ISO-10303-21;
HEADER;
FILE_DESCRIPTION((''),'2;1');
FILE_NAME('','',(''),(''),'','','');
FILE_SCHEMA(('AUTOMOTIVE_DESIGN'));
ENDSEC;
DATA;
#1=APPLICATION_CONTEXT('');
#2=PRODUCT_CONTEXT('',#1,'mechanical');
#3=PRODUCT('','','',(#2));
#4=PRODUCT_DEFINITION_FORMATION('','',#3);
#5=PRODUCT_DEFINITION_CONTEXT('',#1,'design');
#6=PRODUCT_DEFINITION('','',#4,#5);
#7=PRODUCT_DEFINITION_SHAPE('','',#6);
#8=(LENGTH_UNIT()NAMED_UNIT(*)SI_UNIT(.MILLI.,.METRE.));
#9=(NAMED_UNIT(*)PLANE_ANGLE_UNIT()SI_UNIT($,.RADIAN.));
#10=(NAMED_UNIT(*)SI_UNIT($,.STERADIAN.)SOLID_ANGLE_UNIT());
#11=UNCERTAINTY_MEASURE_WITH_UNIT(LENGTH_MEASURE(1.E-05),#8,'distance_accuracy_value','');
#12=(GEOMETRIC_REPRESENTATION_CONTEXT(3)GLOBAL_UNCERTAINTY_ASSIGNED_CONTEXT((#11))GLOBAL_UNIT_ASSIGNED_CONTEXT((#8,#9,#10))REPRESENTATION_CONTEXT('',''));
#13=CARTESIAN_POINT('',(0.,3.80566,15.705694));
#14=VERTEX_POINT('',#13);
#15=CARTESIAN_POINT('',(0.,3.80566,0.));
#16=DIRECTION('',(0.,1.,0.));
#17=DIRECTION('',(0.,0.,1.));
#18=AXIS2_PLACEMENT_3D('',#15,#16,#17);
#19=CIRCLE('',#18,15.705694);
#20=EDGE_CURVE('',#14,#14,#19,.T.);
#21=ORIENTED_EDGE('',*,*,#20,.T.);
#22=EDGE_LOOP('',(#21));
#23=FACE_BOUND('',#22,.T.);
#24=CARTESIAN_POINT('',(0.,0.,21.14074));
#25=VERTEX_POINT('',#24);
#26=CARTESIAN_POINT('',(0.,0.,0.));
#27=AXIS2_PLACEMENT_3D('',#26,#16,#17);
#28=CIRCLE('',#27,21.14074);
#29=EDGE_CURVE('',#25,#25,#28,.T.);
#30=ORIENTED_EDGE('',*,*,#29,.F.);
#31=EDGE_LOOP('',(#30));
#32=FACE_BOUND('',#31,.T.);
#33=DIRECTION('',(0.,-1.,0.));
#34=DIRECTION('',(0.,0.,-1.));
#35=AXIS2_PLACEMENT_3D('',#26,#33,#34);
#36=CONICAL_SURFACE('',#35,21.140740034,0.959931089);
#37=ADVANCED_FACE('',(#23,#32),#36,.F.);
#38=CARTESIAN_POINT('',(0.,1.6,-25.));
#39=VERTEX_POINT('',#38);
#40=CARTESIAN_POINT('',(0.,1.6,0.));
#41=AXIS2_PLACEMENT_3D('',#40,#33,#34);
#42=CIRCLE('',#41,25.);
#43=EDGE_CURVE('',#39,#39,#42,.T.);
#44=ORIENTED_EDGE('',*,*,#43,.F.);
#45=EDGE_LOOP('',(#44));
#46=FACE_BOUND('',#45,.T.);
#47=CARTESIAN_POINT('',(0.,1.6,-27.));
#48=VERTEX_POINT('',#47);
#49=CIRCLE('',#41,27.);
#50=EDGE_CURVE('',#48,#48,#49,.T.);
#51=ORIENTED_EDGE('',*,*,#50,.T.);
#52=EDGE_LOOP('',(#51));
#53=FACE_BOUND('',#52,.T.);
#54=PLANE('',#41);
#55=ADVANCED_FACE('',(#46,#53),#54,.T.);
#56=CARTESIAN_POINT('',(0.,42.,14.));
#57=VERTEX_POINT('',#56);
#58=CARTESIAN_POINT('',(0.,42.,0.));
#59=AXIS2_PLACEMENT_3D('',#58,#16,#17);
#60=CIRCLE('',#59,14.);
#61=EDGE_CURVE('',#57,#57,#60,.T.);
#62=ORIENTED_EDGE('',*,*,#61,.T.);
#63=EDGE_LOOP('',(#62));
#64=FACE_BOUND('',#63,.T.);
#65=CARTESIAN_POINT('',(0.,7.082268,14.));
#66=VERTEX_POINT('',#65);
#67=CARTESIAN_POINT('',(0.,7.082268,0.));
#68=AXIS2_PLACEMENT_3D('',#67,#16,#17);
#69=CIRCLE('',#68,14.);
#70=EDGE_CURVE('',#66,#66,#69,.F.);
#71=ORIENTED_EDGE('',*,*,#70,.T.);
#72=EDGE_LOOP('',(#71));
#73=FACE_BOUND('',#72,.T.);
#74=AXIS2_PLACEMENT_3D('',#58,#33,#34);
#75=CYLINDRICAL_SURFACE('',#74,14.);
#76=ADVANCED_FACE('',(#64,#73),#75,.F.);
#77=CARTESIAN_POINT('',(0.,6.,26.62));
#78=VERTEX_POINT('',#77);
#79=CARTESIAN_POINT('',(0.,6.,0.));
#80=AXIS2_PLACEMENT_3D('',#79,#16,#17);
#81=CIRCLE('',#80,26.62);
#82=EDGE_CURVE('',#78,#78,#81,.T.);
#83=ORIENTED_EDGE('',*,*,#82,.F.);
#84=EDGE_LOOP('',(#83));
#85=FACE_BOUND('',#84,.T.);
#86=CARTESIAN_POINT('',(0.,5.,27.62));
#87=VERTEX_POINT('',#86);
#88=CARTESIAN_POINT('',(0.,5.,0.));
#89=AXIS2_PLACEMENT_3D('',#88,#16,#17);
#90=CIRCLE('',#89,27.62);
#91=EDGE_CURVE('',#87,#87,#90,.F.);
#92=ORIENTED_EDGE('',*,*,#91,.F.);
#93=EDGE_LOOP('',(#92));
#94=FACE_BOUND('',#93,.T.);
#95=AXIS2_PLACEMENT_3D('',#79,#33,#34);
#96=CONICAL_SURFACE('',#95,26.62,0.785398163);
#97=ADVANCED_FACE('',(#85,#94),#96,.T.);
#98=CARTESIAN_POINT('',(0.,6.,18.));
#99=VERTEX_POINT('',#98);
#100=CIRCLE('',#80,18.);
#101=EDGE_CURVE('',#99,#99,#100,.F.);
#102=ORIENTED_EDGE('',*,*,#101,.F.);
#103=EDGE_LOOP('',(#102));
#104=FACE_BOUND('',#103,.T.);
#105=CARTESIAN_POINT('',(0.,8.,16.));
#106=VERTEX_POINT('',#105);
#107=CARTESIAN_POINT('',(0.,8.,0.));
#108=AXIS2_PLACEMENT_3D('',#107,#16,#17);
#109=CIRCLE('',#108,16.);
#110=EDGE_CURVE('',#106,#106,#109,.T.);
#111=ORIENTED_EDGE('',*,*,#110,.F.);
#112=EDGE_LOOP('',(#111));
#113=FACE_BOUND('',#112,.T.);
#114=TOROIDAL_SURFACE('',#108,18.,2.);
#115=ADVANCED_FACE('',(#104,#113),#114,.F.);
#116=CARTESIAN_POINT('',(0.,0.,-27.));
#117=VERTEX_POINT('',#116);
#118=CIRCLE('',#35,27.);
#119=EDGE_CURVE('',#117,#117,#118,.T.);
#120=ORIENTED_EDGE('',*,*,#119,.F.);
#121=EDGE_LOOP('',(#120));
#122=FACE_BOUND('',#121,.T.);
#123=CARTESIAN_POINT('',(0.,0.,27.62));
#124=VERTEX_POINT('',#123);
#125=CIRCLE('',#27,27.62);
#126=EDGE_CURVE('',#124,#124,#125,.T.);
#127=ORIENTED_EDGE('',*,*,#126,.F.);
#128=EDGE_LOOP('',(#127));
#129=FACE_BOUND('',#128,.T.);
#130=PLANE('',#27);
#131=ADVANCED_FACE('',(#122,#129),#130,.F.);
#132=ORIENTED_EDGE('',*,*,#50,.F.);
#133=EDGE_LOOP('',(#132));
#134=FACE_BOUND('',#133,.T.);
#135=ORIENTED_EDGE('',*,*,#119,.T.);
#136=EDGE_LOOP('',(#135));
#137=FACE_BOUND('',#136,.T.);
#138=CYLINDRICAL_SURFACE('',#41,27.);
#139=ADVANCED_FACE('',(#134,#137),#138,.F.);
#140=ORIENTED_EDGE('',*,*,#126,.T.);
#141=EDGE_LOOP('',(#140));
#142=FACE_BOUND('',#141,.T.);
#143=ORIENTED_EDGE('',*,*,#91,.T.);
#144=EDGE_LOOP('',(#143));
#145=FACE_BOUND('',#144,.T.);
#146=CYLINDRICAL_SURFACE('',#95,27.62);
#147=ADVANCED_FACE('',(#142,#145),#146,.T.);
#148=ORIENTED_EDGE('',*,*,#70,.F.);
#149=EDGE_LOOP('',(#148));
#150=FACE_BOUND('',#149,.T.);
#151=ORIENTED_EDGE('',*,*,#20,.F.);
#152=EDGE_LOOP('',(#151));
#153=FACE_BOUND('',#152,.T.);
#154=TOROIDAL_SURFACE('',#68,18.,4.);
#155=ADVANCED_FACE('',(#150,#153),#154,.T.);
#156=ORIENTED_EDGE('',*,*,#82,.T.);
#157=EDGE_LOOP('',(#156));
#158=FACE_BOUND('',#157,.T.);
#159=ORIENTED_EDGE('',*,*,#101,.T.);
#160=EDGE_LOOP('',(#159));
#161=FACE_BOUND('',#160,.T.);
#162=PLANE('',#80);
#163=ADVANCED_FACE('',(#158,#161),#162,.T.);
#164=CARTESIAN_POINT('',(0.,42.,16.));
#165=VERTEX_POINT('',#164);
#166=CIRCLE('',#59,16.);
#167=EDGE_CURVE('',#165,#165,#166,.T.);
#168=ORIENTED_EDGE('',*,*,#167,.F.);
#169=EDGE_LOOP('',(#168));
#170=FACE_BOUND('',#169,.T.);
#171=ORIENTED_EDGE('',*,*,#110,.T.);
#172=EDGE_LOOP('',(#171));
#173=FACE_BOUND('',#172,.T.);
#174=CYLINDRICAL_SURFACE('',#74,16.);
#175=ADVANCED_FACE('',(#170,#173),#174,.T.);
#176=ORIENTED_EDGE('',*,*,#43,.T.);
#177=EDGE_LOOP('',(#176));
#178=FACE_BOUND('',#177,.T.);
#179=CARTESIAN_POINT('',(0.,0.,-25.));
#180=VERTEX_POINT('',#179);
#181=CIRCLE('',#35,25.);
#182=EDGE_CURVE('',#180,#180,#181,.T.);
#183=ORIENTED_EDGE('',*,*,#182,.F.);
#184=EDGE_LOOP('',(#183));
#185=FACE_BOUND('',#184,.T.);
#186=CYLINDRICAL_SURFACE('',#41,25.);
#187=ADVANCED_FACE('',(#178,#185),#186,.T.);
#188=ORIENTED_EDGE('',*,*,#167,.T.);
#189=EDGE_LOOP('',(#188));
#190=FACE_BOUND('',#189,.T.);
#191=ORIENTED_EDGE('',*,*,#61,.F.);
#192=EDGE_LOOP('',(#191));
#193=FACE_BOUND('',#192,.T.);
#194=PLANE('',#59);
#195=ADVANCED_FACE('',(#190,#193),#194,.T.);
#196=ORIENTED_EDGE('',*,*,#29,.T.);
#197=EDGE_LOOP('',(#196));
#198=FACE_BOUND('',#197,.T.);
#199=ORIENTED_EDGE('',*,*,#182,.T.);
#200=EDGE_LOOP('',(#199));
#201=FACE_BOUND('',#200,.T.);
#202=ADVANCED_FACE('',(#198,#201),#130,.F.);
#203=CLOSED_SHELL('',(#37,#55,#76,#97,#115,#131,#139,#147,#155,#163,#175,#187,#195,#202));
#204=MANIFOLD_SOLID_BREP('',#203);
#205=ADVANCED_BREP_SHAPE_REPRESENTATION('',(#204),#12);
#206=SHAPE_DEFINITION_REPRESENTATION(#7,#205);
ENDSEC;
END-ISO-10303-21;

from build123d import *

# Parameters (mm, degrees)
SKETCH1_R           = 27.62
BOSS_EXTRUDE1_DEPTH = 6
SKETCH2_R           = 16
SKETCH2_R_2         = 14
BOSS_EXTRUDE2_DEPTH = 36
CUT_EXTRUDE1_START  = -36
SKETCH3_R           = 14
CUT_EXTRUDE1_DEPTH  = 36
CHAMFER1_SIZE       = 5
CHAMFER1_SIZE2      = 7.140740034
CHAMFER2_SIZE       = 1
SKETCH4_R           = 27
SKETCH4_R_2         = 25
CUT_EXTRUDE2_DEPTH  = 1.6
FILLET1_R           = 2
FILLET2_R           = 4


with BuildPart() as part:
    # Sketch1 → Boss-Extrude1 (new body)
    with BuildSketch(Plane(origin=(0, 0, 0), x_dir=(1, 0, 0), z_dir=(0, 1, 0))):
        with Locations(Location((0, 0, 0), (0, 0, 270))):
            Circle(SKETCH1_R)
    extrude(amount=BOSS_EXTRUDE1_DEPTH)

    # Sketch2 → Boss-Extrude2 (add)
    with BuildSketch(Plane(origin=(0, 6, 0), x_dir=(1, 0, 0), z_dir=(0, 1, 0))):
        with Locations(Location((0, 0, 0), (0, 0, 270))):
            Circle(SKETCH2_R)
        with Locations(Location((0, 0, 0), (0, 0, 270))):
            Circle(SKETCH2_R_2, mode=Mode.SUBTRACT)
    extrude(amount=BOSS_EXTRUDE2_DEPTH)

    # Sketch3 → Cut-Extrude1 (cut)
    with BuildSketch(Plane(origin=(0, 6, 0), x_dir=(1, 0, 0), z_dir=(0, 1, 0)).offset(CUT_EXTRUDE1_START)):
        with Locations(Location((0, 0, 0), (0, 0, 270))):
            Circle(SKETCH3_R)
    extrude(amount=CUT_EXTRUDE1_DEPTH, mode=Mode.SUBTRACT)

    # Chamfer1
    chamfer1_edges = [part.edges().sort_by_distance(p)[0] for p in [
        (0, 0, -14),
    ]]
    chamfer1_side = [part.faces().sort_by_distance(p)[0] for p in [
        (0, 21, -14),
    ]]
    chamfer(chamfer1_edges, length=CHAMFER1_SIZE, length2=CHAMFER1_SIZE2, reference=chamfer1_side[0])

    # Chamfer2
    chamfer2_edges = [part.edges().sort_by_distance(p)[0] for p in [
        (0, 6, -27.62),
    ]]
    chamfer(chamfer2_edges, length=CHAMFER2_SIZE)

    # Sketch4 → Cut-Extrude2 (cut)
    with BuildSketch(Plane.XZ):
        with Locations(Location((0, 0, 0), (0, 0, 270))):
            Circle(SKETCH4_R)
        with Locations(Location((0, 0, 0), (0, 0, 270))):
            Circle(SKETCH4_R_2, mode=Mode.SUBTRACT)
    extrude(amount=-CUT_EXTRUDE2_DEPTH, mode=Mode.SUBTRACT)

    # Fillet1
    fillet1_edges = [part.edges().sort_by_distance(p)[0] for p in [
        (0, 6, -16),
    ]]
    fillet(fillet1_edges, radius=FILLET1_R)

    # Fillet2
    fillet2_edges = [part.edges().sort_by_distance(p)[0] for p in [
        (0, 5, -14),
    ]]
    fillet(fillet2_edges, radius=FILLET2_R)


solid = part.part
